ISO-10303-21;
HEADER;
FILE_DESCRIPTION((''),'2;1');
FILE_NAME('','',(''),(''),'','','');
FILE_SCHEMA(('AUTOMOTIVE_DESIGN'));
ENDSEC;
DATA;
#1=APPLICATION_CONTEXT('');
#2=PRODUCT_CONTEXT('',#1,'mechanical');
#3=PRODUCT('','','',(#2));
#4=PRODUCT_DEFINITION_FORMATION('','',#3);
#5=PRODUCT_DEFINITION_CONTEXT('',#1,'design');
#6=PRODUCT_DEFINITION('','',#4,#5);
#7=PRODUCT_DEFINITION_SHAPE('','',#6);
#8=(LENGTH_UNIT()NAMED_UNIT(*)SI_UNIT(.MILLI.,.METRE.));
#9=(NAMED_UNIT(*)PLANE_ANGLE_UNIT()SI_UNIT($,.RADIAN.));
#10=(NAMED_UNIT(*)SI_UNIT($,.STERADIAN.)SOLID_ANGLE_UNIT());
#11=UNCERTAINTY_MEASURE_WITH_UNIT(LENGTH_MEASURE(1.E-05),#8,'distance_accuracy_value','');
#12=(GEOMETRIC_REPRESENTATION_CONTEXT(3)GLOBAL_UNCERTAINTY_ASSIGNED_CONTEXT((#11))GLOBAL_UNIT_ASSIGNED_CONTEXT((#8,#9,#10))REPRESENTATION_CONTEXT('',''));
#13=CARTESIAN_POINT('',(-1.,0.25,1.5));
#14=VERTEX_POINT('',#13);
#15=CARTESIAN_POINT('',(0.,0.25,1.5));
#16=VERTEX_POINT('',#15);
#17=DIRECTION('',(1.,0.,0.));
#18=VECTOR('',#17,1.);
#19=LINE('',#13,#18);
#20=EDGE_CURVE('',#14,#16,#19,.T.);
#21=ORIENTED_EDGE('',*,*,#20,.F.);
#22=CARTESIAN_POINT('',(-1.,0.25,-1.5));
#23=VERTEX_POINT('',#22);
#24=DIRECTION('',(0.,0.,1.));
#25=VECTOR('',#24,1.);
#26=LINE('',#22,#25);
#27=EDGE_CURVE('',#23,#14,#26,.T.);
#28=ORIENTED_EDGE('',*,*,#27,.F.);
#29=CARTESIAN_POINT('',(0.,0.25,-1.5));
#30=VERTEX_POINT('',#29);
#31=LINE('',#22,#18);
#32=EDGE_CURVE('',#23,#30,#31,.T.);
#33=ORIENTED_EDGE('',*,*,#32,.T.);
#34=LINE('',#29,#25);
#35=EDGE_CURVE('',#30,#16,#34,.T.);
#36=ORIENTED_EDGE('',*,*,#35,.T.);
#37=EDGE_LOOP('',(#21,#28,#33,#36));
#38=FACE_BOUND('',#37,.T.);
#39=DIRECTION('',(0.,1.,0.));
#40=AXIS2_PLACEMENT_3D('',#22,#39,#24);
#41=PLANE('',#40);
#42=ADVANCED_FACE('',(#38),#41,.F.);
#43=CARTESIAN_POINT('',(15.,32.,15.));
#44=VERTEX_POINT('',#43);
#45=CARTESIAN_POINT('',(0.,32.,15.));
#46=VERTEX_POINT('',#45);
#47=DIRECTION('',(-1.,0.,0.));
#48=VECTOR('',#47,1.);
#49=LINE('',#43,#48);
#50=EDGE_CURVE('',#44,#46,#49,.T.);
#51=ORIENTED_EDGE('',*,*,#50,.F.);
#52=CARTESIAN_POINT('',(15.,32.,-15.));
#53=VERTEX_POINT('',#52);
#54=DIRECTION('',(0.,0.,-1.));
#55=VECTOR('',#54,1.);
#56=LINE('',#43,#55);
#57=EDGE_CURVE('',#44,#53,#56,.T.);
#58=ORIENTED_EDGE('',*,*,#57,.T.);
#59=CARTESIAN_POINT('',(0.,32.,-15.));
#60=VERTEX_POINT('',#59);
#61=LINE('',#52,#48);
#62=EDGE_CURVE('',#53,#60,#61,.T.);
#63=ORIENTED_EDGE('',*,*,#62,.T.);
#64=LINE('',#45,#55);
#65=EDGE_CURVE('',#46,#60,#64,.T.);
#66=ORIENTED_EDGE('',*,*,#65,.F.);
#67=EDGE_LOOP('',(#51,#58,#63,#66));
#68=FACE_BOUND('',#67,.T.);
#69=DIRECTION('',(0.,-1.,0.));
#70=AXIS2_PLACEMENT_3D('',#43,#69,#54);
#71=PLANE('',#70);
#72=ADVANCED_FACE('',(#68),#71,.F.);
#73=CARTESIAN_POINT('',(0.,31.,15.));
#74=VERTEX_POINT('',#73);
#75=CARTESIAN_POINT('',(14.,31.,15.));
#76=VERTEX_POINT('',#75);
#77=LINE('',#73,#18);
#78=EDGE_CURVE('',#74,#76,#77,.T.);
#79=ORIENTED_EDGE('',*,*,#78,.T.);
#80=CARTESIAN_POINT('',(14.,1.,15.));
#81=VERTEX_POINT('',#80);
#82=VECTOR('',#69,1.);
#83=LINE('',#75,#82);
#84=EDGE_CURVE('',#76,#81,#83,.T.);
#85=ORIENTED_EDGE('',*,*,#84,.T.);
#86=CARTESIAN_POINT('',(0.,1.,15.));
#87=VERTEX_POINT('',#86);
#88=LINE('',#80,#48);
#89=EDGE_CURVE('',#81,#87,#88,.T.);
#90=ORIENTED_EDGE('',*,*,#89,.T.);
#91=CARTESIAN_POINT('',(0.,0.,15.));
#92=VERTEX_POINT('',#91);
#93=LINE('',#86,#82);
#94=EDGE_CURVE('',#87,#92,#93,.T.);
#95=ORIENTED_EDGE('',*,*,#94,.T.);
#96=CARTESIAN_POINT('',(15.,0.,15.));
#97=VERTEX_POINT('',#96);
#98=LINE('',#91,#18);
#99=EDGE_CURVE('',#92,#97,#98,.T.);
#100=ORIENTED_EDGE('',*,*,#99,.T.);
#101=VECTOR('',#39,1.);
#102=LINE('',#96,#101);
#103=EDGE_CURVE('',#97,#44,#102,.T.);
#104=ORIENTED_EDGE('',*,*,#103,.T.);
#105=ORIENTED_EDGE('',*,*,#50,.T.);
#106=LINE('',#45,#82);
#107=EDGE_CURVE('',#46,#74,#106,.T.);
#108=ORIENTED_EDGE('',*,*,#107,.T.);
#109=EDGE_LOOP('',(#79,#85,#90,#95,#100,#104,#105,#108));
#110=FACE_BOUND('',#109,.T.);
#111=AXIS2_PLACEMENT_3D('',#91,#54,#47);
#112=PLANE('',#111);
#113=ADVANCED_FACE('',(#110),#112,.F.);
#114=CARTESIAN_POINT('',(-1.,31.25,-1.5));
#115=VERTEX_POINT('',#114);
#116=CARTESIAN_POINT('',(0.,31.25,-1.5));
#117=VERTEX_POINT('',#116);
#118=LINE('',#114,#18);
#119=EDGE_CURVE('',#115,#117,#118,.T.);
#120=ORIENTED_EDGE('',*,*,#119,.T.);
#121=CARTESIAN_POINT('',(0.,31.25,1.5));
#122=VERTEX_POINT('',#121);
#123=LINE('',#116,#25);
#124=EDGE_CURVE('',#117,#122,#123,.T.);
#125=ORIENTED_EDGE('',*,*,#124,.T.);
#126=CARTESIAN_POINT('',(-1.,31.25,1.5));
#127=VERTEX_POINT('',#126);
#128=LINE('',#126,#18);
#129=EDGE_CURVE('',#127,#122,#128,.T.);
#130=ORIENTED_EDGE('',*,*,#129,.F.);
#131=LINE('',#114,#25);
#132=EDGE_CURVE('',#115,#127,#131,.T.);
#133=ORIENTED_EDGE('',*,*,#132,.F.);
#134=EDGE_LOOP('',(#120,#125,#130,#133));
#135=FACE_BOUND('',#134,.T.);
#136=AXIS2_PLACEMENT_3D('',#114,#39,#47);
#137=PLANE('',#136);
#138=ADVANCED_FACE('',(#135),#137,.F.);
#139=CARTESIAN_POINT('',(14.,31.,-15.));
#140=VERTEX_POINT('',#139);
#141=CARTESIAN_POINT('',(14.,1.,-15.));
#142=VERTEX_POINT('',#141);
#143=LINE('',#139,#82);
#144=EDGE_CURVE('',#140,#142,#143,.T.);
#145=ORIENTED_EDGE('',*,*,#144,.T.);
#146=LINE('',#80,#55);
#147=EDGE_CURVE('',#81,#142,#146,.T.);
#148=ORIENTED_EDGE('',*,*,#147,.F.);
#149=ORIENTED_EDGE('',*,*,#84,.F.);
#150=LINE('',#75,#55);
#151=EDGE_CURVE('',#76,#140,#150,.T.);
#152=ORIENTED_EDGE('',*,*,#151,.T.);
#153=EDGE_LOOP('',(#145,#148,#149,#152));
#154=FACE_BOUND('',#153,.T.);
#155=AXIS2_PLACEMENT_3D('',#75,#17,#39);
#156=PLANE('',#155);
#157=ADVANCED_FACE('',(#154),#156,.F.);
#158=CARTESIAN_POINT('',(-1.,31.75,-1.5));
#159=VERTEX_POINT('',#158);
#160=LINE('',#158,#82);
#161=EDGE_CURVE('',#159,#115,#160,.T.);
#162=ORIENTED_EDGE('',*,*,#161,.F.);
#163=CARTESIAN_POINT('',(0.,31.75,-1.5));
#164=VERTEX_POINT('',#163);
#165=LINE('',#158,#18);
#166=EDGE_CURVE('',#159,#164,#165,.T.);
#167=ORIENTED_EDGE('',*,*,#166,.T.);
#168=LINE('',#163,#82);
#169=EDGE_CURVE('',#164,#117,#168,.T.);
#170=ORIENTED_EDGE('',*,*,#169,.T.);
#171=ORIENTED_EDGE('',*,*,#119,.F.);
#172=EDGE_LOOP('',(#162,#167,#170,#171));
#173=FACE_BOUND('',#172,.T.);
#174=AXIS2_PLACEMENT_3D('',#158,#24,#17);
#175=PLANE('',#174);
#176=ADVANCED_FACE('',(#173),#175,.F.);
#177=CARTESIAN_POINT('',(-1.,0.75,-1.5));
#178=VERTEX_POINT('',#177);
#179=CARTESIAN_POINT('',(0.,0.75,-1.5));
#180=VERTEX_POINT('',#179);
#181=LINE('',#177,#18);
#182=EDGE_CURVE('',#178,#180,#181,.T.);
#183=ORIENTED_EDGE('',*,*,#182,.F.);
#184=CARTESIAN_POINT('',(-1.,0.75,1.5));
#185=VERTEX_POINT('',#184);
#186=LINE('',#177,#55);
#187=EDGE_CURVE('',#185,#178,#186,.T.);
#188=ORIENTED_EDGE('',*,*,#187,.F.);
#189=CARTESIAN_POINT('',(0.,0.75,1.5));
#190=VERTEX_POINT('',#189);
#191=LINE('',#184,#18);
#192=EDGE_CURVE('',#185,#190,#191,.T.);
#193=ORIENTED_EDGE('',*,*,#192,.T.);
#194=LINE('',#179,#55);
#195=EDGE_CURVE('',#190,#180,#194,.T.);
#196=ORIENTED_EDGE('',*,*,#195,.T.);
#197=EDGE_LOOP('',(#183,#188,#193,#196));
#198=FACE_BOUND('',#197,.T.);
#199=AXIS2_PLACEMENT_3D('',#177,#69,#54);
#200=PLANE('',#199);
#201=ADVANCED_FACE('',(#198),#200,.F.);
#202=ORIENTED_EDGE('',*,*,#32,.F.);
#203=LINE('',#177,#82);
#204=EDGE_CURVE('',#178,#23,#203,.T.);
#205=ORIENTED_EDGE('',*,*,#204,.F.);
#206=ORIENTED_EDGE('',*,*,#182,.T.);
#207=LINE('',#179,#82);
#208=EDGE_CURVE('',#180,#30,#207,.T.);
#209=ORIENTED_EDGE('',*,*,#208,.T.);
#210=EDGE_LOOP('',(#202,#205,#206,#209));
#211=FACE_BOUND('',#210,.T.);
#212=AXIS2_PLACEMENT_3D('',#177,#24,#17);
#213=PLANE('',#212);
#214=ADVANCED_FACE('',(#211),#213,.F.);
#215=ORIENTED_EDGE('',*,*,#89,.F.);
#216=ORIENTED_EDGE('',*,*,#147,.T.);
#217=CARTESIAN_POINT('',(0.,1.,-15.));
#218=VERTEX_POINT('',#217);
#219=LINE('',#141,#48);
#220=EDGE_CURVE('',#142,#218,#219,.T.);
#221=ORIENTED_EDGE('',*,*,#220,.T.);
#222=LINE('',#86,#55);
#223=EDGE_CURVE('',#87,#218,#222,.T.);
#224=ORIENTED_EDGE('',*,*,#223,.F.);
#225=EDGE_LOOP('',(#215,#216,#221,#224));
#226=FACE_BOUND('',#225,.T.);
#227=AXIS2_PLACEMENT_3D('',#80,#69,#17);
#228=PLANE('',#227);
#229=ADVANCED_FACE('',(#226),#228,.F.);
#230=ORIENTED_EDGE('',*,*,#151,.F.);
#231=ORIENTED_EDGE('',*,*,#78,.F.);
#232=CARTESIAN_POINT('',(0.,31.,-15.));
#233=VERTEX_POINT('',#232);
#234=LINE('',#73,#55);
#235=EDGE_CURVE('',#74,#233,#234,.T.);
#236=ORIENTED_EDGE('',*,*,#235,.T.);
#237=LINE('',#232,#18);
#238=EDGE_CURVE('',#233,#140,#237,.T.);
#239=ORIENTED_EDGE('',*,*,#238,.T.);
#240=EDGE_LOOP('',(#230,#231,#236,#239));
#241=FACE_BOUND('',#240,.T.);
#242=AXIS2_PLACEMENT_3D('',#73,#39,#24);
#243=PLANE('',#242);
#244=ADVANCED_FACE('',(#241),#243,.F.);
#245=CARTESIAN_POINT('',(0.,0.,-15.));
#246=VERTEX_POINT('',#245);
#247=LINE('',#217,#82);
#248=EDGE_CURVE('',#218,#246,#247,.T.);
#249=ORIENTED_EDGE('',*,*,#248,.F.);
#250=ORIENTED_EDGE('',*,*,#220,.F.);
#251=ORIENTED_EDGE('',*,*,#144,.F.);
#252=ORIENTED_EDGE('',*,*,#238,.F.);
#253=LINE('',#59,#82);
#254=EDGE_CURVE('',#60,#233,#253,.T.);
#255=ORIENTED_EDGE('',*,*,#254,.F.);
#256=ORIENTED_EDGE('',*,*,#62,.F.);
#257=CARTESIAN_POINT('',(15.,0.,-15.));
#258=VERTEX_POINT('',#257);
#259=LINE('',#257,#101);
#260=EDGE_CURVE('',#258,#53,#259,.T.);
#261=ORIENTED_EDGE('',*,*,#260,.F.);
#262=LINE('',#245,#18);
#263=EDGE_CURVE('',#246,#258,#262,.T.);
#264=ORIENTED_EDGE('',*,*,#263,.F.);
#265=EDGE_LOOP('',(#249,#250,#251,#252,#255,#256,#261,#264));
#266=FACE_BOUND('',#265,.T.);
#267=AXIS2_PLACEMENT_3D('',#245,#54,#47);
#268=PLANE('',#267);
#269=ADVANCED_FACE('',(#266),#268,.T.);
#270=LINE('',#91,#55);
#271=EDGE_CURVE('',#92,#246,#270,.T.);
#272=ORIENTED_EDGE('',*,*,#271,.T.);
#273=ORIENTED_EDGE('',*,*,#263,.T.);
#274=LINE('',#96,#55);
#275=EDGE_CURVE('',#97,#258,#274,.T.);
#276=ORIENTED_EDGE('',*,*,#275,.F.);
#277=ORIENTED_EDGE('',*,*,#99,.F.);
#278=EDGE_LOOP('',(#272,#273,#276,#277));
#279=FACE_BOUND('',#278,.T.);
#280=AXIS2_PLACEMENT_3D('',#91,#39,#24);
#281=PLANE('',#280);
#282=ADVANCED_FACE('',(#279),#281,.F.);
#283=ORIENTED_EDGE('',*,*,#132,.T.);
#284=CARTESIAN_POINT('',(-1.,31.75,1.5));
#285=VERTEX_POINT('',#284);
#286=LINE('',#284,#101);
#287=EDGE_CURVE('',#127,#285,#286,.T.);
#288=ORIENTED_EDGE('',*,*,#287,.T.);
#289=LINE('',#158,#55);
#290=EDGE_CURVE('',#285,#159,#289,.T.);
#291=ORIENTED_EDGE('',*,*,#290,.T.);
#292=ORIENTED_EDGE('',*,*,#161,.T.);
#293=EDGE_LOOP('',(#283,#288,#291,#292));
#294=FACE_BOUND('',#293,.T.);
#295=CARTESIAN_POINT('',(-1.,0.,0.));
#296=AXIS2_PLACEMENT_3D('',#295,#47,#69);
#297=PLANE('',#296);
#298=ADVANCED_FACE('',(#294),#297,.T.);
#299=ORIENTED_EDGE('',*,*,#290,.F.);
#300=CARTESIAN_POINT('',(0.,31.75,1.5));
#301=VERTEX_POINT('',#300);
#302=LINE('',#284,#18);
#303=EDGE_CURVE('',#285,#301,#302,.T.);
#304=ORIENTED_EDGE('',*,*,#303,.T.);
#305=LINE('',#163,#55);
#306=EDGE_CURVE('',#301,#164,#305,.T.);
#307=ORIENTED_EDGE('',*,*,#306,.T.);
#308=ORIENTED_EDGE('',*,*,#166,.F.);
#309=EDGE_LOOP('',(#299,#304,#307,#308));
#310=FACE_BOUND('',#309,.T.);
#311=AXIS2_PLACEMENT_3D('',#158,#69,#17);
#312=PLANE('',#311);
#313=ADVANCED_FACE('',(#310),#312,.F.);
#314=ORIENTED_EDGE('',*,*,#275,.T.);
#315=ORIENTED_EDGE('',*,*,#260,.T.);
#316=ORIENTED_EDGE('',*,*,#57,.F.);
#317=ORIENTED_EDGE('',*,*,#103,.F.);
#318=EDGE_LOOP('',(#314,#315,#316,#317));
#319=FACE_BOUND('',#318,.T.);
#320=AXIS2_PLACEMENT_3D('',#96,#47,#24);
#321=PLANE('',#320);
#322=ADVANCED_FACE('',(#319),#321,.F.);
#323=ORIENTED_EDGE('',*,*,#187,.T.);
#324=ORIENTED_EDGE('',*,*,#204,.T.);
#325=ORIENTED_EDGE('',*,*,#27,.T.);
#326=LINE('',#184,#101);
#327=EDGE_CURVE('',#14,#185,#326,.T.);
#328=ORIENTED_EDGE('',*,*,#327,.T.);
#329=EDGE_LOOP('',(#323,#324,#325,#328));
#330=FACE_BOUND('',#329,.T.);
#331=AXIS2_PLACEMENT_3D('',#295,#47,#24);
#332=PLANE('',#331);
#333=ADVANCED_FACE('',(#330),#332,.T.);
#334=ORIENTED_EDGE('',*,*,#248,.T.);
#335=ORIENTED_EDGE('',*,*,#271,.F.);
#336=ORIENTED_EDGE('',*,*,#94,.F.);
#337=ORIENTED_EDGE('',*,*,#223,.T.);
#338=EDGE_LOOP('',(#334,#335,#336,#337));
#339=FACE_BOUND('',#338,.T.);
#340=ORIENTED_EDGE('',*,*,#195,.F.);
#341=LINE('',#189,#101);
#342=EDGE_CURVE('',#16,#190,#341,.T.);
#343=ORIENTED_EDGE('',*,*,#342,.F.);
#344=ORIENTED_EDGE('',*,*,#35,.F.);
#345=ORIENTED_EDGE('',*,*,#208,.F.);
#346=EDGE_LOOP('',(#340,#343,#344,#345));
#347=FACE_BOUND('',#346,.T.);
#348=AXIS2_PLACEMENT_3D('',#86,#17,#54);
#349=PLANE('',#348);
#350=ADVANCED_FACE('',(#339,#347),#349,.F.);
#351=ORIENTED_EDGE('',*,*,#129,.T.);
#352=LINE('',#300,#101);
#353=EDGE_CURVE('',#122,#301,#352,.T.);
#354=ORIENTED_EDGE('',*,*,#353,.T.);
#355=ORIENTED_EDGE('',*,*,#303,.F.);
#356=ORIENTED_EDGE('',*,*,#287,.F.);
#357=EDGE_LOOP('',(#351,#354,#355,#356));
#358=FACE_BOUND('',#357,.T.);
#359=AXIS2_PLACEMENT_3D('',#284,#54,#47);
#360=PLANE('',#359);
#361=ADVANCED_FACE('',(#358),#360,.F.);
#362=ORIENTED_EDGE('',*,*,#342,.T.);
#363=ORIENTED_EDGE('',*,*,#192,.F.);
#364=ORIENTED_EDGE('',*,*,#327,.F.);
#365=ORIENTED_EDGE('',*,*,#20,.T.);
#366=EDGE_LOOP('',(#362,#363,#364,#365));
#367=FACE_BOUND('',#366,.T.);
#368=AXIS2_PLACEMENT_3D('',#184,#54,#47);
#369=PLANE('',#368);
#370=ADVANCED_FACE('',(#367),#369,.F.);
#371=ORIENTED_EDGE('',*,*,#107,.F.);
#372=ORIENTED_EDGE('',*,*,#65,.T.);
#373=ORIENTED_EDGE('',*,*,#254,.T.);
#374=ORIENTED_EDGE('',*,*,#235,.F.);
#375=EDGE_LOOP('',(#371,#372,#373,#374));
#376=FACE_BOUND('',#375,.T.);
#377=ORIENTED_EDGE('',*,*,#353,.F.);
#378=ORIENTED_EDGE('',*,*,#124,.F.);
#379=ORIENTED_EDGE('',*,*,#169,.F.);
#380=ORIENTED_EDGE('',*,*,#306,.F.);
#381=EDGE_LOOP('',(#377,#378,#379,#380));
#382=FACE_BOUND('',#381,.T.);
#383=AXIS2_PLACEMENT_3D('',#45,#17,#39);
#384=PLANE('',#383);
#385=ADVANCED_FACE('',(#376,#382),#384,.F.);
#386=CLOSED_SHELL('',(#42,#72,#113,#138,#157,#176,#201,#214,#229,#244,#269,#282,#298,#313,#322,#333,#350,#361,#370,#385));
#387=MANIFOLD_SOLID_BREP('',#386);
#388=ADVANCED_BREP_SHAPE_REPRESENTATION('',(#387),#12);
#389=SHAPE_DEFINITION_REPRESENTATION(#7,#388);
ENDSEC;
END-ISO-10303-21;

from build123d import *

# Parameters (mm, degrees)
BOSS_EXTRUDE1_DEPTH = 15
SKETCH2_W           = 3
SKETCH2_H           = 0.5
BOSS_EXTRUDE2_DEPTH = 1
SKETCH3_W           = 3
SKETCH3_H           = 0.5
BOSS_EXTRUDE3_DEPTH = 1


with BuildPart() as part:
    # Sketch1 → Boss-Extrude1 (new body, symmetric)
    with BuildSketch(Plane.XY):
        Polygon((0, 0), (15, 0), (15, 32), (0, 32), (0, 31), (14, 31), (14, 1), (0, 1), align=None)
    extrude(amount=BOSS_EXTRUDE1_DEPTH, both=True)

    # Sketch2 → Boss-Extrude2 (add)
    with BuildSketch(Plane.ZY):
        with Locations((0, 31.5)):
            Rectangle(SKETCH2_W, SKETCH2_H)
    extrude(amount=BOSS_EXTRUDE2_DEPTH)

    # Sketch3 → Boss-Extrude3 (add)
    with BuildSketch(Plane.ZY):
        with Locations((0, 0.5)):
            Rectangle(SKETCH3_W, SKETCH3_H)
    extrude(amount=BOSS_EXTRUDE3_DEPTH)


solid = part.part
